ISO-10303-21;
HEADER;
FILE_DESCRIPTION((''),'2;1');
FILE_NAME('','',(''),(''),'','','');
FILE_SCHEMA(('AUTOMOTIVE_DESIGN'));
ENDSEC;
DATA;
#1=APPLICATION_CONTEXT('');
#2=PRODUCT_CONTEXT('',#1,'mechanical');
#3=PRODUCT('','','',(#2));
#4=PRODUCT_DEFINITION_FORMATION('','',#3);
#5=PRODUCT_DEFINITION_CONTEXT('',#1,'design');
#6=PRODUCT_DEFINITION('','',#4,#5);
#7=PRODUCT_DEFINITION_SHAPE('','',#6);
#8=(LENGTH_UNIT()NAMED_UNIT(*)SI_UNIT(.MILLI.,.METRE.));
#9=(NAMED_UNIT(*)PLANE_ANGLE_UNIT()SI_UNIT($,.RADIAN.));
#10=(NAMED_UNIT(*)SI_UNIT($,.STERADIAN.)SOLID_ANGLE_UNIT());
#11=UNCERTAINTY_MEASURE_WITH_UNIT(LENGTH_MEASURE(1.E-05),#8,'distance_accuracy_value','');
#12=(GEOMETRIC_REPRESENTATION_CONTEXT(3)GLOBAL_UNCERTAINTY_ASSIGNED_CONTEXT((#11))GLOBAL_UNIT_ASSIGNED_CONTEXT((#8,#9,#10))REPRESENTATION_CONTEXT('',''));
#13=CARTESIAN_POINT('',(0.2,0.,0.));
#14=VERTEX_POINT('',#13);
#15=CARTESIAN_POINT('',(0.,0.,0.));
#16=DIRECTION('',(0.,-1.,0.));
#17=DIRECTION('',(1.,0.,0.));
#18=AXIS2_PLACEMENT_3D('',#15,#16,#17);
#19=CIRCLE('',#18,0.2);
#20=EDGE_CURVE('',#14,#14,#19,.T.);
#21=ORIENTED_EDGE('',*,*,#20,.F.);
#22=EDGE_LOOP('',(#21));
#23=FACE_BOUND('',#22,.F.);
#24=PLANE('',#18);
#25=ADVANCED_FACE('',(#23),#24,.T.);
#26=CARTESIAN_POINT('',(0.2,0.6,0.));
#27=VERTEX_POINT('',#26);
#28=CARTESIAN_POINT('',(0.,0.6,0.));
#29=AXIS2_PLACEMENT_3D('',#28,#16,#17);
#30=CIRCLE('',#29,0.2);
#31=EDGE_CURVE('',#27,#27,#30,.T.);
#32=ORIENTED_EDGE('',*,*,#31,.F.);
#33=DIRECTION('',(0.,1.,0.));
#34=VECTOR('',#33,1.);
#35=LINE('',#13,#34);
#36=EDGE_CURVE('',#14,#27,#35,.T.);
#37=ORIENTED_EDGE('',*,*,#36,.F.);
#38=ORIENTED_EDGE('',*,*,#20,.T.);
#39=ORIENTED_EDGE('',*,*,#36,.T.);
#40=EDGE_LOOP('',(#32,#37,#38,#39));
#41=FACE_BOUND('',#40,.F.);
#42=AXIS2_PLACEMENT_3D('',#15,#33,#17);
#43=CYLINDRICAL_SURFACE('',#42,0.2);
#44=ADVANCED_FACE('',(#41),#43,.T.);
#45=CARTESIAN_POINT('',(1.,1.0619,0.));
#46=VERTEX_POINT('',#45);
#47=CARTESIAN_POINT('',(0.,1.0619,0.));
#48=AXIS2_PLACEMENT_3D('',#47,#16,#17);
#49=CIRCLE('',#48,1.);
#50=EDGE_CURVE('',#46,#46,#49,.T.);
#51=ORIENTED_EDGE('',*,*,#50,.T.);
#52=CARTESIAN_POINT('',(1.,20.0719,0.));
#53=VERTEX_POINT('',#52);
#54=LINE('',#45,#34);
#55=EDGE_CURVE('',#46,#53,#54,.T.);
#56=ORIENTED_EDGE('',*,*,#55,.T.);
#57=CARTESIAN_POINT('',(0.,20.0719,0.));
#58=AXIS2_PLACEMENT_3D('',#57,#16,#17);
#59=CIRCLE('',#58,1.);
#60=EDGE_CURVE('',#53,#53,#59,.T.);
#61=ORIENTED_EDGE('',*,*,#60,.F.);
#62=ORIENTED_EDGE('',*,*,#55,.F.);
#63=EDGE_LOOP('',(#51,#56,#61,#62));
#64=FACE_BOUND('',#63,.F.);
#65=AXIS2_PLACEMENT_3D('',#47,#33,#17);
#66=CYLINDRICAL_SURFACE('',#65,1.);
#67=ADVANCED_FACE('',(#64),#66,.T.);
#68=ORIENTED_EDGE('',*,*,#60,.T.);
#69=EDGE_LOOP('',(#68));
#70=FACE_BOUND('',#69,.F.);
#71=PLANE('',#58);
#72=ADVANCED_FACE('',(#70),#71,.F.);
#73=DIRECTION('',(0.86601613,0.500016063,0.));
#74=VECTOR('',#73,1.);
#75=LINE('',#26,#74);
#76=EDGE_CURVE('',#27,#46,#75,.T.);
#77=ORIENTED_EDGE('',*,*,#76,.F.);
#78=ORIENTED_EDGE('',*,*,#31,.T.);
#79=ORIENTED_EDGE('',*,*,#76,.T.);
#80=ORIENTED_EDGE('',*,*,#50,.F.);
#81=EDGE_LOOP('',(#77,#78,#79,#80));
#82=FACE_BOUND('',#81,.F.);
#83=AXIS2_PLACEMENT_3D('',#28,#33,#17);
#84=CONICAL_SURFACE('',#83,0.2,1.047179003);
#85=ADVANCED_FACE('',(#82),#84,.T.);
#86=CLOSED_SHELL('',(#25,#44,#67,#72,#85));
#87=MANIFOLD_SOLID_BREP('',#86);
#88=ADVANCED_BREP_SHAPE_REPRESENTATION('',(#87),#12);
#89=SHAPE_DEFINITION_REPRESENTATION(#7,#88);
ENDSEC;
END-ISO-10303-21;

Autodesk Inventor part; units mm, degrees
ref_plane "YZ Plane" through (0, 0, 0) normal (1, 0, 0) x (0, 1, 0)
ref_plane "XZ Plane" through (0, 0, 0) normal (0, 1, 0) x (-1, 0, 0)
ref_plane "XY Plane" through (0, 0, 0) normal (0, 0, 1) x (1, 0, 0)
sketch "Boceto1" plane through (0, 0, 0) normal (0, 0, 1) x (1, 0, 0)
  line L0 (0.2, 0) -> (0.2, 0.6)
  line L1 (0.2, 0.6) -> (1, 1.0619)
  line L2 (1, 1.0619) -> (1, 20.0719)
  line L3 (-0.2, 0) -> (1.2, 0) projected
  line L4 (1, 20.0719) -> (0, 20.0719)
  line L5 (0, 0) -> (0.2, 0)
  line L6 (0, 20.0719) -> (0, 0)
  dimension "d1" = 0.2
  dimension "d2" = 0.6
  dimension "d4" = 19.01
  dimension "d8" = 60
  dimension "d9" = 1
revolve "Revolución1" add sketch "Boceto1" angle 360 about axis through (0, 20.0719, 0) along (0, -1, 0)
equation "\"d1\" = 0.5 * Dc"
equation "\"d2\" = Lc"
equation "\"d4\" = Ln"
equation "\"d8\" = alfa"
equation "\"d9\" = 0.5 * Do"
equation "\"Dc\" = 0.4"
equation "\"Lc\" = 0.6"
equation "\"Ln\" = 19.01"
equation "\"Do\" = 2"
equation "\"alfa\" = 60deg"
properties part number "Boquilla0.4"
